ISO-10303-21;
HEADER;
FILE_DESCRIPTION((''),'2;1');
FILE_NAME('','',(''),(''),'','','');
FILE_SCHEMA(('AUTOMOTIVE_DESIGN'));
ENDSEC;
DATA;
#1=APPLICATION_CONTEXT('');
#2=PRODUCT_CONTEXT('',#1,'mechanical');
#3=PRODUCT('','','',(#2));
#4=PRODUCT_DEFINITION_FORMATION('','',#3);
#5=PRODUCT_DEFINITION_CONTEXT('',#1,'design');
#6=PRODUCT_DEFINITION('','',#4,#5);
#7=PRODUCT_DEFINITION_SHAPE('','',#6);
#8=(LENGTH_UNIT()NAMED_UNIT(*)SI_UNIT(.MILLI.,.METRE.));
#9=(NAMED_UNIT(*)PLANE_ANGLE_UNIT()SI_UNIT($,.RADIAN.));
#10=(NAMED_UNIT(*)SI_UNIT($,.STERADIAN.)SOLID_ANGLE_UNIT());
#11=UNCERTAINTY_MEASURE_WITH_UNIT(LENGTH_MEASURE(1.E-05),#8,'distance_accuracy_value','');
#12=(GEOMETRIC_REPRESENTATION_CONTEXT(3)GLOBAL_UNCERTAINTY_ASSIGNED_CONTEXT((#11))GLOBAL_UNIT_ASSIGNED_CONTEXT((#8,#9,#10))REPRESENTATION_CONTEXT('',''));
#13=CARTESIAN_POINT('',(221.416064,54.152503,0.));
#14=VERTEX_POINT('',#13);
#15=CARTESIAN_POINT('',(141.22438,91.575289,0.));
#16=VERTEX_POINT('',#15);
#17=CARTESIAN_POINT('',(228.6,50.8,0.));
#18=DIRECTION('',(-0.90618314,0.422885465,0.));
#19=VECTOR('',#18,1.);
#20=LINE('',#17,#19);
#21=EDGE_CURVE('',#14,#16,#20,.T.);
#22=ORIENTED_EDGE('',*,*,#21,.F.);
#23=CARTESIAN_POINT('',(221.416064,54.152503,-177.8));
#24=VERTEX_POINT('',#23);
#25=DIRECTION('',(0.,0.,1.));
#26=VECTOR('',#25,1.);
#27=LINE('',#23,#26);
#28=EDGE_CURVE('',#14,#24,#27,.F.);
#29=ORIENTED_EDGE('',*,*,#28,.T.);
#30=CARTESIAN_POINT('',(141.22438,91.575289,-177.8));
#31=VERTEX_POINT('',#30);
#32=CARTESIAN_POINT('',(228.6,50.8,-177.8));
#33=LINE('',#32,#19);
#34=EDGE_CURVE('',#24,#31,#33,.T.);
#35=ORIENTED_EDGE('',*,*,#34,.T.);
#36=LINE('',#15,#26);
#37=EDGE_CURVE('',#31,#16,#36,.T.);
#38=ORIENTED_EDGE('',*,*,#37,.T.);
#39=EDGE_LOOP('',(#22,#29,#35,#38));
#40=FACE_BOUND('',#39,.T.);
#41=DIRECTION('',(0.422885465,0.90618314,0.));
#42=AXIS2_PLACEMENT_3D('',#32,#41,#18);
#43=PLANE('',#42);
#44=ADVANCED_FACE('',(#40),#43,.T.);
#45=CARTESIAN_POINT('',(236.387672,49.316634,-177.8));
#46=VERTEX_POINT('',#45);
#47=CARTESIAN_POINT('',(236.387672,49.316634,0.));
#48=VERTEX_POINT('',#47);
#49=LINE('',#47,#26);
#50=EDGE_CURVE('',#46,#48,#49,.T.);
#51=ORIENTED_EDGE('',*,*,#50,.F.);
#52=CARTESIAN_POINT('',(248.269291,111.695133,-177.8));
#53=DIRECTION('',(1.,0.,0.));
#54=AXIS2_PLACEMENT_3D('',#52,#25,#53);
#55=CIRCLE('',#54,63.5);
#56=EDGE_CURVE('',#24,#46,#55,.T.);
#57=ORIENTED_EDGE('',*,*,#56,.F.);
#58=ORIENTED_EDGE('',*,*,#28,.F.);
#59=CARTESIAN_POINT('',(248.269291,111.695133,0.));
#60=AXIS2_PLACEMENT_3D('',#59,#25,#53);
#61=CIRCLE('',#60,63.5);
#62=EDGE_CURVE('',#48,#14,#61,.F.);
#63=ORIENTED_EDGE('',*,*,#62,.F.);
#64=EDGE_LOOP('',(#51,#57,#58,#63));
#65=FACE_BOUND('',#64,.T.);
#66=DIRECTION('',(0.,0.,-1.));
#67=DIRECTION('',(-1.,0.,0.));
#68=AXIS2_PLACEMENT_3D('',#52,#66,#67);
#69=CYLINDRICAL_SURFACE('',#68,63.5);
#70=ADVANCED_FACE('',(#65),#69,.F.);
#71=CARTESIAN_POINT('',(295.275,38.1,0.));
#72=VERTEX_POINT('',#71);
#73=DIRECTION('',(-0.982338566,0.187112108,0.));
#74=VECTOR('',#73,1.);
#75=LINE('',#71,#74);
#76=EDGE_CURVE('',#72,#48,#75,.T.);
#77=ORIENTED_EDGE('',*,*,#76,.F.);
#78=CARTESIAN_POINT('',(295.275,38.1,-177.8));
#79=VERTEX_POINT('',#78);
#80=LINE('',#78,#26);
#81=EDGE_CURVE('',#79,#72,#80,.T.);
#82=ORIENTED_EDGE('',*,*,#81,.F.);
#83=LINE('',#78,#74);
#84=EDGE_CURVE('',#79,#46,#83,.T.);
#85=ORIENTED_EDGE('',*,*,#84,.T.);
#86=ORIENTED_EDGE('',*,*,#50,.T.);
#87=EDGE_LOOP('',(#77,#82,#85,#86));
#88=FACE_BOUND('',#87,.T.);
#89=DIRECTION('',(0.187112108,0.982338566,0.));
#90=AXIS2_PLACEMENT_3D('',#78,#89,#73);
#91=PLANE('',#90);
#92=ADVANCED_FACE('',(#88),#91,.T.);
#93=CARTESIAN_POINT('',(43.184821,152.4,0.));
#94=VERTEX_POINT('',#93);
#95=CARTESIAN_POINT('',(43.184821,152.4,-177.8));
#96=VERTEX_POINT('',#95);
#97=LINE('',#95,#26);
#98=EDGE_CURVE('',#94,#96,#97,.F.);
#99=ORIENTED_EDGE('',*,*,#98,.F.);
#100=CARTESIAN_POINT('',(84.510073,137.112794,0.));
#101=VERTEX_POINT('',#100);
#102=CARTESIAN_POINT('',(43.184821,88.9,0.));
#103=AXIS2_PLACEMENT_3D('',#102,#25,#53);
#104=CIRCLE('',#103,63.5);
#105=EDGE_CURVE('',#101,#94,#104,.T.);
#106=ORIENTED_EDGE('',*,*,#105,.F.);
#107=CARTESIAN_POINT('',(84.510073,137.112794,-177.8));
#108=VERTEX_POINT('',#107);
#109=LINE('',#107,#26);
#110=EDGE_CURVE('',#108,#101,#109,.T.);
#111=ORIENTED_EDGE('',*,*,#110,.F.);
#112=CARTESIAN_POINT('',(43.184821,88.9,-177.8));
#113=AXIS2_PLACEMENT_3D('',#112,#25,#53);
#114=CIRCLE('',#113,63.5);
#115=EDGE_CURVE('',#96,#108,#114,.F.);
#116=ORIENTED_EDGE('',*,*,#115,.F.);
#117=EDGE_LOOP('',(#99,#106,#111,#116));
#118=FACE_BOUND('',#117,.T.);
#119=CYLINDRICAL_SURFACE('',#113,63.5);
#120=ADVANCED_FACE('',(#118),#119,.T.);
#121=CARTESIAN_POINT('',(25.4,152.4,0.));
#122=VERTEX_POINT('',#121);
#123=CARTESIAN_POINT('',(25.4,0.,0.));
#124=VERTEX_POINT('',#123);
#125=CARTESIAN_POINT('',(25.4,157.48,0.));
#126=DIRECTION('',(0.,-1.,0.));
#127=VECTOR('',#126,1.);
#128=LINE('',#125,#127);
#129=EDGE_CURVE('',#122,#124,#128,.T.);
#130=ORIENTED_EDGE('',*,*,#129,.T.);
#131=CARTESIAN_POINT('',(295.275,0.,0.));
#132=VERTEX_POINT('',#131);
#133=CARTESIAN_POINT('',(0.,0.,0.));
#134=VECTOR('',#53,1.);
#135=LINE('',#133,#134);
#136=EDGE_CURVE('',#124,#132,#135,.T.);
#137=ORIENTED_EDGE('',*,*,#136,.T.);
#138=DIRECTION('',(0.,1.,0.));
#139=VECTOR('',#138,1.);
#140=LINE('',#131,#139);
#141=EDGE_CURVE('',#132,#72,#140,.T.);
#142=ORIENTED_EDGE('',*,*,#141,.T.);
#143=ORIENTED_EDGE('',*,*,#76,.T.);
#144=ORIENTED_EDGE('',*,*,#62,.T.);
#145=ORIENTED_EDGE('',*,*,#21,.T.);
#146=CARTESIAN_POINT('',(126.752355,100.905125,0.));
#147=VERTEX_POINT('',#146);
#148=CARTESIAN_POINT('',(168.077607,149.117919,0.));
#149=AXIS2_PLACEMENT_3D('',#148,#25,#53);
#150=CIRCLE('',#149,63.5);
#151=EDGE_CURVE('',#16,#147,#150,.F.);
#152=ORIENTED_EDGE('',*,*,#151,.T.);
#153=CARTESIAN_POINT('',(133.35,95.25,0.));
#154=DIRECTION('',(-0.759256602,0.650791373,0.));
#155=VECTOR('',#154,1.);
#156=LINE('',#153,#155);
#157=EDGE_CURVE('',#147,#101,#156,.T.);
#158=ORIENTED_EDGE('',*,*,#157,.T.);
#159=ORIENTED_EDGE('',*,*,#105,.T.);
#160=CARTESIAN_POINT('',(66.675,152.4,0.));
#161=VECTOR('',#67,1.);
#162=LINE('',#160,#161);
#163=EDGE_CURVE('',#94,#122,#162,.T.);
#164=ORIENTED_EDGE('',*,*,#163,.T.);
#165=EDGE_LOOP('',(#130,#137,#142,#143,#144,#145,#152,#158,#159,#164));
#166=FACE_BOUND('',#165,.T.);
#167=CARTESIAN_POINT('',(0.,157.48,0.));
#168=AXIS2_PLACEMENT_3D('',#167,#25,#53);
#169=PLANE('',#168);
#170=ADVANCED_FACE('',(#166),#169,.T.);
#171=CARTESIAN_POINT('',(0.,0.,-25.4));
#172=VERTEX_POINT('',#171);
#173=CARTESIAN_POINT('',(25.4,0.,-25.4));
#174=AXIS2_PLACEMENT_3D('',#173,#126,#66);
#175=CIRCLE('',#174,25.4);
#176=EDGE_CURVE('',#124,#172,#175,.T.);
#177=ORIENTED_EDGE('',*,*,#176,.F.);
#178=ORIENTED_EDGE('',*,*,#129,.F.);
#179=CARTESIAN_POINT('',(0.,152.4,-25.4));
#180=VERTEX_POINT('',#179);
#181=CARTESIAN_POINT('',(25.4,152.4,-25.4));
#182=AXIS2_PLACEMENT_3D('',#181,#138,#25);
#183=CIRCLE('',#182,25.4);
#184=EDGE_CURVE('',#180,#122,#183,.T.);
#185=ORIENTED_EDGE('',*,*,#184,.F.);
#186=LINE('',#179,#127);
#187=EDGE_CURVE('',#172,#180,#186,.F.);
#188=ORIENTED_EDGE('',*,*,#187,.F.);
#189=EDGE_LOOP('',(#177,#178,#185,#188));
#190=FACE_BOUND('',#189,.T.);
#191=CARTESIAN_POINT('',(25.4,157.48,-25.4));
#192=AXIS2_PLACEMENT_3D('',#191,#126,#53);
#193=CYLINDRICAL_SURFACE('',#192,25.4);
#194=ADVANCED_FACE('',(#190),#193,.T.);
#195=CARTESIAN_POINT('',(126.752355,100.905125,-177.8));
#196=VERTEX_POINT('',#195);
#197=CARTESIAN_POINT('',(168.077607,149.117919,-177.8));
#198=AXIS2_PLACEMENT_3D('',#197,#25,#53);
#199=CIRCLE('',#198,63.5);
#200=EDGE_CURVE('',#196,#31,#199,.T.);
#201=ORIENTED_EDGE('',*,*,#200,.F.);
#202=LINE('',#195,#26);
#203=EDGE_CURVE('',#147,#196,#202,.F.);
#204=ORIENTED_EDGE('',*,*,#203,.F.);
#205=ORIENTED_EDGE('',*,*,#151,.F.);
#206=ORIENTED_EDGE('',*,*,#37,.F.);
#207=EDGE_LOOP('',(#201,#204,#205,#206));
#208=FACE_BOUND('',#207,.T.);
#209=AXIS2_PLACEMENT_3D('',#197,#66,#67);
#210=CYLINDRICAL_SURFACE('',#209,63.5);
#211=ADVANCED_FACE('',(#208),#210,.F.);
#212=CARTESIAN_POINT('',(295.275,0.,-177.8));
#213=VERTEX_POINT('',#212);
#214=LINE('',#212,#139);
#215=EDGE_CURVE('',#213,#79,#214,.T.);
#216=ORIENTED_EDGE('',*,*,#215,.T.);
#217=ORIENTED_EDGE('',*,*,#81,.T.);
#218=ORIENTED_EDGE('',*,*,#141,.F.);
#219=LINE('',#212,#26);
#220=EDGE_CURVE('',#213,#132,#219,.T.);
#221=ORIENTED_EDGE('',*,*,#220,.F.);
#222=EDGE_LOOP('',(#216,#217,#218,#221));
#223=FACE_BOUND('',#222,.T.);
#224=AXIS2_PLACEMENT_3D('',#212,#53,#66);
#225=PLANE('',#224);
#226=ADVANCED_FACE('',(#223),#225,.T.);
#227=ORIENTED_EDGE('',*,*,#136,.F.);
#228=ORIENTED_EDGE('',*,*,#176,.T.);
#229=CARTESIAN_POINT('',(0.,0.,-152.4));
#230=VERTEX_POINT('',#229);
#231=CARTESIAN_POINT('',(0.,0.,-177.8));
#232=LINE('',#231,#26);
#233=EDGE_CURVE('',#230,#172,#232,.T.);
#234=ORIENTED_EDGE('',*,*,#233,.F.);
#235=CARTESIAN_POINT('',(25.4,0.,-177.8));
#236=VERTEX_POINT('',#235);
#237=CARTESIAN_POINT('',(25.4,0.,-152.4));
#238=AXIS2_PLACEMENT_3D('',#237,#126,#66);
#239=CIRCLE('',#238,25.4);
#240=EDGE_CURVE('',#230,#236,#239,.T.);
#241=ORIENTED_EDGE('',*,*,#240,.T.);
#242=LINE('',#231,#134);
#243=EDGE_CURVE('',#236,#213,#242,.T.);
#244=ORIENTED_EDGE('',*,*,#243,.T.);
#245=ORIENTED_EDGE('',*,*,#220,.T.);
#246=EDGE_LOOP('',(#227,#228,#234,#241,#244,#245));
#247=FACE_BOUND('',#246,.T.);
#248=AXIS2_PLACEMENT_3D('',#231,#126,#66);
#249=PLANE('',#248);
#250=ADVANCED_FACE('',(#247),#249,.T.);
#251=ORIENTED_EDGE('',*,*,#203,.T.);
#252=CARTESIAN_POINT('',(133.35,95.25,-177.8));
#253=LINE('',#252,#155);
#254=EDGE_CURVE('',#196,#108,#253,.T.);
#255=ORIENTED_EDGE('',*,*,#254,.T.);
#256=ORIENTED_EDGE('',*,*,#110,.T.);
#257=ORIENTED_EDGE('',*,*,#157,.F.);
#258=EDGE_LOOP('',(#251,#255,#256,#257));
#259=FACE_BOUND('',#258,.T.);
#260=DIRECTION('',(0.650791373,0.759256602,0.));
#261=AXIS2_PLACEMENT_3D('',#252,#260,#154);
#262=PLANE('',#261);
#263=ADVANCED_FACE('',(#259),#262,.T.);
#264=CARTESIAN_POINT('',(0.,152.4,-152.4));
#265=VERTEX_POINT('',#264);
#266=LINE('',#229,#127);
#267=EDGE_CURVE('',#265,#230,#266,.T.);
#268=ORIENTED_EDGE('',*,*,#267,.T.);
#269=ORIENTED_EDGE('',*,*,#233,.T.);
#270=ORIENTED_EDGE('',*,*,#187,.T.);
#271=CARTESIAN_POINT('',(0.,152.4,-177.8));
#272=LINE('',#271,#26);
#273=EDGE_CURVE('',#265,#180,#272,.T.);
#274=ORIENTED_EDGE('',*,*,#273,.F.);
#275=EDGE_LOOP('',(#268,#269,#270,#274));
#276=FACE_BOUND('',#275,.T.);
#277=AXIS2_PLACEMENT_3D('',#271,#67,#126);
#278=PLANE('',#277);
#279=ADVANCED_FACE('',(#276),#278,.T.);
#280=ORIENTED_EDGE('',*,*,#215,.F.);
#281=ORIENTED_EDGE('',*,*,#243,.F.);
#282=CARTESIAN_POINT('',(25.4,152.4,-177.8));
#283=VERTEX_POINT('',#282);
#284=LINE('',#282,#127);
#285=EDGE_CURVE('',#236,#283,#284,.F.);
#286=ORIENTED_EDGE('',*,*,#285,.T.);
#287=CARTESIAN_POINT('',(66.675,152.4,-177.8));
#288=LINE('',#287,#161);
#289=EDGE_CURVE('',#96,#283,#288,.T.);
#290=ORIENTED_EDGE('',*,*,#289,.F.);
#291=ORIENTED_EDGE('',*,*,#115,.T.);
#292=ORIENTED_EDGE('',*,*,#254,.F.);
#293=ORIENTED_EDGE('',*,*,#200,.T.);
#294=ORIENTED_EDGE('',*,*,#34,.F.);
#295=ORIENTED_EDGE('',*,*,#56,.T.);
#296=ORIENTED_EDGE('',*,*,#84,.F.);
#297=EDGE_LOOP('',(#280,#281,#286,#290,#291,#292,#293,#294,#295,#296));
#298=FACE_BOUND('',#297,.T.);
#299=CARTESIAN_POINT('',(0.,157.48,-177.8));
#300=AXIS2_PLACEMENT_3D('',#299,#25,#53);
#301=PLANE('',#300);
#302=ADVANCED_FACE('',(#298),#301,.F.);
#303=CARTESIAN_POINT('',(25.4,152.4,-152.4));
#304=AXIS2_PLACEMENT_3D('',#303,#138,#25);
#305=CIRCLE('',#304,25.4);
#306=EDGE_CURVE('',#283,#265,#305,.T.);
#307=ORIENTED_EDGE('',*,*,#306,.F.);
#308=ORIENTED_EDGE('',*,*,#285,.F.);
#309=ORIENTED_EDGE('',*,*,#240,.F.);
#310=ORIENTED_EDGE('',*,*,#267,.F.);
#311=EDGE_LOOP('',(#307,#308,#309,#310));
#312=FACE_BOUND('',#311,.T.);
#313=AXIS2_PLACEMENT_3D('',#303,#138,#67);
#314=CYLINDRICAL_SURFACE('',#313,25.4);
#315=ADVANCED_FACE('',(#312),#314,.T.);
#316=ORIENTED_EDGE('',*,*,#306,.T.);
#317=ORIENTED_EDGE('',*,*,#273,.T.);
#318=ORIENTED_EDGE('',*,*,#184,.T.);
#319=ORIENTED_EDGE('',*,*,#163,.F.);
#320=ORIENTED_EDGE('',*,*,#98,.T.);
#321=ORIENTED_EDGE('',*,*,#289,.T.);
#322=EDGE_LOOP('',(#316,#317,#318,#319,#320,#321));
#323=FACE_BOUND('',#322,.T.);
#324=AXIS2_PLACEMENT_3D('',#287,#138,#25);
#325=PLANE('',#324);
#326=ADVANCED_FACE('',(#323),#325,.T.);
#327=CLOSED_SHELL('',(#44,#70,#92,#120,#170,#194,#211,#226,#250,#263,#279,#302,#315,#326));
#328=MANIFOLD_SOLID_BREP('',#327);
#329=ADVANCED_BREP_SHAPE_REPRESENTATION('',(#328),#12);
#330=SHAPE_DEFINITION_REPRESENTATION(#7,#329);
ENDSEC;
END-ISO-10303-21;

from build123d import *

# Parameters (mm, degrees)
EXTRUDE1_DEPTH = 177.8
FILLET1_R      = 63.5
FILLET2_R      = 25.4


with BuildPart() as part:
    # Sketch1 → Extrude1 (new body)
    with BuildSketch(Plane.XY):
        Polygon((0, 152.4), (0, 0), (295.275, 0), (295.275, 38.1), (228.6, 50.8), (133.35, 95.25), (66.675, 152.4), align=None)
    extrude(amount=-EXTRUDE1_DEPTH)

    # Fillet1
    fillet1_edges = [part.edges().sort_by_distance(p)[0] for p in [
        (228.6, 50.8, -88.9),
        (66.675, 152.4, -88.9),
        (133.35, 95.25, -88.9),
    ]]
    fillet(fillet1_edges, radius=FILLET1_R)

    # Fillet2
    fillet2_edges = [part.edges().sort_by_distance(p)[0] for p in [
        (0, 76.2, -177.8),
        (0, 76.2, 0),
    ]]
    fillet(fillet2_edges, radius=FILLET2_R)


solid = part.part
